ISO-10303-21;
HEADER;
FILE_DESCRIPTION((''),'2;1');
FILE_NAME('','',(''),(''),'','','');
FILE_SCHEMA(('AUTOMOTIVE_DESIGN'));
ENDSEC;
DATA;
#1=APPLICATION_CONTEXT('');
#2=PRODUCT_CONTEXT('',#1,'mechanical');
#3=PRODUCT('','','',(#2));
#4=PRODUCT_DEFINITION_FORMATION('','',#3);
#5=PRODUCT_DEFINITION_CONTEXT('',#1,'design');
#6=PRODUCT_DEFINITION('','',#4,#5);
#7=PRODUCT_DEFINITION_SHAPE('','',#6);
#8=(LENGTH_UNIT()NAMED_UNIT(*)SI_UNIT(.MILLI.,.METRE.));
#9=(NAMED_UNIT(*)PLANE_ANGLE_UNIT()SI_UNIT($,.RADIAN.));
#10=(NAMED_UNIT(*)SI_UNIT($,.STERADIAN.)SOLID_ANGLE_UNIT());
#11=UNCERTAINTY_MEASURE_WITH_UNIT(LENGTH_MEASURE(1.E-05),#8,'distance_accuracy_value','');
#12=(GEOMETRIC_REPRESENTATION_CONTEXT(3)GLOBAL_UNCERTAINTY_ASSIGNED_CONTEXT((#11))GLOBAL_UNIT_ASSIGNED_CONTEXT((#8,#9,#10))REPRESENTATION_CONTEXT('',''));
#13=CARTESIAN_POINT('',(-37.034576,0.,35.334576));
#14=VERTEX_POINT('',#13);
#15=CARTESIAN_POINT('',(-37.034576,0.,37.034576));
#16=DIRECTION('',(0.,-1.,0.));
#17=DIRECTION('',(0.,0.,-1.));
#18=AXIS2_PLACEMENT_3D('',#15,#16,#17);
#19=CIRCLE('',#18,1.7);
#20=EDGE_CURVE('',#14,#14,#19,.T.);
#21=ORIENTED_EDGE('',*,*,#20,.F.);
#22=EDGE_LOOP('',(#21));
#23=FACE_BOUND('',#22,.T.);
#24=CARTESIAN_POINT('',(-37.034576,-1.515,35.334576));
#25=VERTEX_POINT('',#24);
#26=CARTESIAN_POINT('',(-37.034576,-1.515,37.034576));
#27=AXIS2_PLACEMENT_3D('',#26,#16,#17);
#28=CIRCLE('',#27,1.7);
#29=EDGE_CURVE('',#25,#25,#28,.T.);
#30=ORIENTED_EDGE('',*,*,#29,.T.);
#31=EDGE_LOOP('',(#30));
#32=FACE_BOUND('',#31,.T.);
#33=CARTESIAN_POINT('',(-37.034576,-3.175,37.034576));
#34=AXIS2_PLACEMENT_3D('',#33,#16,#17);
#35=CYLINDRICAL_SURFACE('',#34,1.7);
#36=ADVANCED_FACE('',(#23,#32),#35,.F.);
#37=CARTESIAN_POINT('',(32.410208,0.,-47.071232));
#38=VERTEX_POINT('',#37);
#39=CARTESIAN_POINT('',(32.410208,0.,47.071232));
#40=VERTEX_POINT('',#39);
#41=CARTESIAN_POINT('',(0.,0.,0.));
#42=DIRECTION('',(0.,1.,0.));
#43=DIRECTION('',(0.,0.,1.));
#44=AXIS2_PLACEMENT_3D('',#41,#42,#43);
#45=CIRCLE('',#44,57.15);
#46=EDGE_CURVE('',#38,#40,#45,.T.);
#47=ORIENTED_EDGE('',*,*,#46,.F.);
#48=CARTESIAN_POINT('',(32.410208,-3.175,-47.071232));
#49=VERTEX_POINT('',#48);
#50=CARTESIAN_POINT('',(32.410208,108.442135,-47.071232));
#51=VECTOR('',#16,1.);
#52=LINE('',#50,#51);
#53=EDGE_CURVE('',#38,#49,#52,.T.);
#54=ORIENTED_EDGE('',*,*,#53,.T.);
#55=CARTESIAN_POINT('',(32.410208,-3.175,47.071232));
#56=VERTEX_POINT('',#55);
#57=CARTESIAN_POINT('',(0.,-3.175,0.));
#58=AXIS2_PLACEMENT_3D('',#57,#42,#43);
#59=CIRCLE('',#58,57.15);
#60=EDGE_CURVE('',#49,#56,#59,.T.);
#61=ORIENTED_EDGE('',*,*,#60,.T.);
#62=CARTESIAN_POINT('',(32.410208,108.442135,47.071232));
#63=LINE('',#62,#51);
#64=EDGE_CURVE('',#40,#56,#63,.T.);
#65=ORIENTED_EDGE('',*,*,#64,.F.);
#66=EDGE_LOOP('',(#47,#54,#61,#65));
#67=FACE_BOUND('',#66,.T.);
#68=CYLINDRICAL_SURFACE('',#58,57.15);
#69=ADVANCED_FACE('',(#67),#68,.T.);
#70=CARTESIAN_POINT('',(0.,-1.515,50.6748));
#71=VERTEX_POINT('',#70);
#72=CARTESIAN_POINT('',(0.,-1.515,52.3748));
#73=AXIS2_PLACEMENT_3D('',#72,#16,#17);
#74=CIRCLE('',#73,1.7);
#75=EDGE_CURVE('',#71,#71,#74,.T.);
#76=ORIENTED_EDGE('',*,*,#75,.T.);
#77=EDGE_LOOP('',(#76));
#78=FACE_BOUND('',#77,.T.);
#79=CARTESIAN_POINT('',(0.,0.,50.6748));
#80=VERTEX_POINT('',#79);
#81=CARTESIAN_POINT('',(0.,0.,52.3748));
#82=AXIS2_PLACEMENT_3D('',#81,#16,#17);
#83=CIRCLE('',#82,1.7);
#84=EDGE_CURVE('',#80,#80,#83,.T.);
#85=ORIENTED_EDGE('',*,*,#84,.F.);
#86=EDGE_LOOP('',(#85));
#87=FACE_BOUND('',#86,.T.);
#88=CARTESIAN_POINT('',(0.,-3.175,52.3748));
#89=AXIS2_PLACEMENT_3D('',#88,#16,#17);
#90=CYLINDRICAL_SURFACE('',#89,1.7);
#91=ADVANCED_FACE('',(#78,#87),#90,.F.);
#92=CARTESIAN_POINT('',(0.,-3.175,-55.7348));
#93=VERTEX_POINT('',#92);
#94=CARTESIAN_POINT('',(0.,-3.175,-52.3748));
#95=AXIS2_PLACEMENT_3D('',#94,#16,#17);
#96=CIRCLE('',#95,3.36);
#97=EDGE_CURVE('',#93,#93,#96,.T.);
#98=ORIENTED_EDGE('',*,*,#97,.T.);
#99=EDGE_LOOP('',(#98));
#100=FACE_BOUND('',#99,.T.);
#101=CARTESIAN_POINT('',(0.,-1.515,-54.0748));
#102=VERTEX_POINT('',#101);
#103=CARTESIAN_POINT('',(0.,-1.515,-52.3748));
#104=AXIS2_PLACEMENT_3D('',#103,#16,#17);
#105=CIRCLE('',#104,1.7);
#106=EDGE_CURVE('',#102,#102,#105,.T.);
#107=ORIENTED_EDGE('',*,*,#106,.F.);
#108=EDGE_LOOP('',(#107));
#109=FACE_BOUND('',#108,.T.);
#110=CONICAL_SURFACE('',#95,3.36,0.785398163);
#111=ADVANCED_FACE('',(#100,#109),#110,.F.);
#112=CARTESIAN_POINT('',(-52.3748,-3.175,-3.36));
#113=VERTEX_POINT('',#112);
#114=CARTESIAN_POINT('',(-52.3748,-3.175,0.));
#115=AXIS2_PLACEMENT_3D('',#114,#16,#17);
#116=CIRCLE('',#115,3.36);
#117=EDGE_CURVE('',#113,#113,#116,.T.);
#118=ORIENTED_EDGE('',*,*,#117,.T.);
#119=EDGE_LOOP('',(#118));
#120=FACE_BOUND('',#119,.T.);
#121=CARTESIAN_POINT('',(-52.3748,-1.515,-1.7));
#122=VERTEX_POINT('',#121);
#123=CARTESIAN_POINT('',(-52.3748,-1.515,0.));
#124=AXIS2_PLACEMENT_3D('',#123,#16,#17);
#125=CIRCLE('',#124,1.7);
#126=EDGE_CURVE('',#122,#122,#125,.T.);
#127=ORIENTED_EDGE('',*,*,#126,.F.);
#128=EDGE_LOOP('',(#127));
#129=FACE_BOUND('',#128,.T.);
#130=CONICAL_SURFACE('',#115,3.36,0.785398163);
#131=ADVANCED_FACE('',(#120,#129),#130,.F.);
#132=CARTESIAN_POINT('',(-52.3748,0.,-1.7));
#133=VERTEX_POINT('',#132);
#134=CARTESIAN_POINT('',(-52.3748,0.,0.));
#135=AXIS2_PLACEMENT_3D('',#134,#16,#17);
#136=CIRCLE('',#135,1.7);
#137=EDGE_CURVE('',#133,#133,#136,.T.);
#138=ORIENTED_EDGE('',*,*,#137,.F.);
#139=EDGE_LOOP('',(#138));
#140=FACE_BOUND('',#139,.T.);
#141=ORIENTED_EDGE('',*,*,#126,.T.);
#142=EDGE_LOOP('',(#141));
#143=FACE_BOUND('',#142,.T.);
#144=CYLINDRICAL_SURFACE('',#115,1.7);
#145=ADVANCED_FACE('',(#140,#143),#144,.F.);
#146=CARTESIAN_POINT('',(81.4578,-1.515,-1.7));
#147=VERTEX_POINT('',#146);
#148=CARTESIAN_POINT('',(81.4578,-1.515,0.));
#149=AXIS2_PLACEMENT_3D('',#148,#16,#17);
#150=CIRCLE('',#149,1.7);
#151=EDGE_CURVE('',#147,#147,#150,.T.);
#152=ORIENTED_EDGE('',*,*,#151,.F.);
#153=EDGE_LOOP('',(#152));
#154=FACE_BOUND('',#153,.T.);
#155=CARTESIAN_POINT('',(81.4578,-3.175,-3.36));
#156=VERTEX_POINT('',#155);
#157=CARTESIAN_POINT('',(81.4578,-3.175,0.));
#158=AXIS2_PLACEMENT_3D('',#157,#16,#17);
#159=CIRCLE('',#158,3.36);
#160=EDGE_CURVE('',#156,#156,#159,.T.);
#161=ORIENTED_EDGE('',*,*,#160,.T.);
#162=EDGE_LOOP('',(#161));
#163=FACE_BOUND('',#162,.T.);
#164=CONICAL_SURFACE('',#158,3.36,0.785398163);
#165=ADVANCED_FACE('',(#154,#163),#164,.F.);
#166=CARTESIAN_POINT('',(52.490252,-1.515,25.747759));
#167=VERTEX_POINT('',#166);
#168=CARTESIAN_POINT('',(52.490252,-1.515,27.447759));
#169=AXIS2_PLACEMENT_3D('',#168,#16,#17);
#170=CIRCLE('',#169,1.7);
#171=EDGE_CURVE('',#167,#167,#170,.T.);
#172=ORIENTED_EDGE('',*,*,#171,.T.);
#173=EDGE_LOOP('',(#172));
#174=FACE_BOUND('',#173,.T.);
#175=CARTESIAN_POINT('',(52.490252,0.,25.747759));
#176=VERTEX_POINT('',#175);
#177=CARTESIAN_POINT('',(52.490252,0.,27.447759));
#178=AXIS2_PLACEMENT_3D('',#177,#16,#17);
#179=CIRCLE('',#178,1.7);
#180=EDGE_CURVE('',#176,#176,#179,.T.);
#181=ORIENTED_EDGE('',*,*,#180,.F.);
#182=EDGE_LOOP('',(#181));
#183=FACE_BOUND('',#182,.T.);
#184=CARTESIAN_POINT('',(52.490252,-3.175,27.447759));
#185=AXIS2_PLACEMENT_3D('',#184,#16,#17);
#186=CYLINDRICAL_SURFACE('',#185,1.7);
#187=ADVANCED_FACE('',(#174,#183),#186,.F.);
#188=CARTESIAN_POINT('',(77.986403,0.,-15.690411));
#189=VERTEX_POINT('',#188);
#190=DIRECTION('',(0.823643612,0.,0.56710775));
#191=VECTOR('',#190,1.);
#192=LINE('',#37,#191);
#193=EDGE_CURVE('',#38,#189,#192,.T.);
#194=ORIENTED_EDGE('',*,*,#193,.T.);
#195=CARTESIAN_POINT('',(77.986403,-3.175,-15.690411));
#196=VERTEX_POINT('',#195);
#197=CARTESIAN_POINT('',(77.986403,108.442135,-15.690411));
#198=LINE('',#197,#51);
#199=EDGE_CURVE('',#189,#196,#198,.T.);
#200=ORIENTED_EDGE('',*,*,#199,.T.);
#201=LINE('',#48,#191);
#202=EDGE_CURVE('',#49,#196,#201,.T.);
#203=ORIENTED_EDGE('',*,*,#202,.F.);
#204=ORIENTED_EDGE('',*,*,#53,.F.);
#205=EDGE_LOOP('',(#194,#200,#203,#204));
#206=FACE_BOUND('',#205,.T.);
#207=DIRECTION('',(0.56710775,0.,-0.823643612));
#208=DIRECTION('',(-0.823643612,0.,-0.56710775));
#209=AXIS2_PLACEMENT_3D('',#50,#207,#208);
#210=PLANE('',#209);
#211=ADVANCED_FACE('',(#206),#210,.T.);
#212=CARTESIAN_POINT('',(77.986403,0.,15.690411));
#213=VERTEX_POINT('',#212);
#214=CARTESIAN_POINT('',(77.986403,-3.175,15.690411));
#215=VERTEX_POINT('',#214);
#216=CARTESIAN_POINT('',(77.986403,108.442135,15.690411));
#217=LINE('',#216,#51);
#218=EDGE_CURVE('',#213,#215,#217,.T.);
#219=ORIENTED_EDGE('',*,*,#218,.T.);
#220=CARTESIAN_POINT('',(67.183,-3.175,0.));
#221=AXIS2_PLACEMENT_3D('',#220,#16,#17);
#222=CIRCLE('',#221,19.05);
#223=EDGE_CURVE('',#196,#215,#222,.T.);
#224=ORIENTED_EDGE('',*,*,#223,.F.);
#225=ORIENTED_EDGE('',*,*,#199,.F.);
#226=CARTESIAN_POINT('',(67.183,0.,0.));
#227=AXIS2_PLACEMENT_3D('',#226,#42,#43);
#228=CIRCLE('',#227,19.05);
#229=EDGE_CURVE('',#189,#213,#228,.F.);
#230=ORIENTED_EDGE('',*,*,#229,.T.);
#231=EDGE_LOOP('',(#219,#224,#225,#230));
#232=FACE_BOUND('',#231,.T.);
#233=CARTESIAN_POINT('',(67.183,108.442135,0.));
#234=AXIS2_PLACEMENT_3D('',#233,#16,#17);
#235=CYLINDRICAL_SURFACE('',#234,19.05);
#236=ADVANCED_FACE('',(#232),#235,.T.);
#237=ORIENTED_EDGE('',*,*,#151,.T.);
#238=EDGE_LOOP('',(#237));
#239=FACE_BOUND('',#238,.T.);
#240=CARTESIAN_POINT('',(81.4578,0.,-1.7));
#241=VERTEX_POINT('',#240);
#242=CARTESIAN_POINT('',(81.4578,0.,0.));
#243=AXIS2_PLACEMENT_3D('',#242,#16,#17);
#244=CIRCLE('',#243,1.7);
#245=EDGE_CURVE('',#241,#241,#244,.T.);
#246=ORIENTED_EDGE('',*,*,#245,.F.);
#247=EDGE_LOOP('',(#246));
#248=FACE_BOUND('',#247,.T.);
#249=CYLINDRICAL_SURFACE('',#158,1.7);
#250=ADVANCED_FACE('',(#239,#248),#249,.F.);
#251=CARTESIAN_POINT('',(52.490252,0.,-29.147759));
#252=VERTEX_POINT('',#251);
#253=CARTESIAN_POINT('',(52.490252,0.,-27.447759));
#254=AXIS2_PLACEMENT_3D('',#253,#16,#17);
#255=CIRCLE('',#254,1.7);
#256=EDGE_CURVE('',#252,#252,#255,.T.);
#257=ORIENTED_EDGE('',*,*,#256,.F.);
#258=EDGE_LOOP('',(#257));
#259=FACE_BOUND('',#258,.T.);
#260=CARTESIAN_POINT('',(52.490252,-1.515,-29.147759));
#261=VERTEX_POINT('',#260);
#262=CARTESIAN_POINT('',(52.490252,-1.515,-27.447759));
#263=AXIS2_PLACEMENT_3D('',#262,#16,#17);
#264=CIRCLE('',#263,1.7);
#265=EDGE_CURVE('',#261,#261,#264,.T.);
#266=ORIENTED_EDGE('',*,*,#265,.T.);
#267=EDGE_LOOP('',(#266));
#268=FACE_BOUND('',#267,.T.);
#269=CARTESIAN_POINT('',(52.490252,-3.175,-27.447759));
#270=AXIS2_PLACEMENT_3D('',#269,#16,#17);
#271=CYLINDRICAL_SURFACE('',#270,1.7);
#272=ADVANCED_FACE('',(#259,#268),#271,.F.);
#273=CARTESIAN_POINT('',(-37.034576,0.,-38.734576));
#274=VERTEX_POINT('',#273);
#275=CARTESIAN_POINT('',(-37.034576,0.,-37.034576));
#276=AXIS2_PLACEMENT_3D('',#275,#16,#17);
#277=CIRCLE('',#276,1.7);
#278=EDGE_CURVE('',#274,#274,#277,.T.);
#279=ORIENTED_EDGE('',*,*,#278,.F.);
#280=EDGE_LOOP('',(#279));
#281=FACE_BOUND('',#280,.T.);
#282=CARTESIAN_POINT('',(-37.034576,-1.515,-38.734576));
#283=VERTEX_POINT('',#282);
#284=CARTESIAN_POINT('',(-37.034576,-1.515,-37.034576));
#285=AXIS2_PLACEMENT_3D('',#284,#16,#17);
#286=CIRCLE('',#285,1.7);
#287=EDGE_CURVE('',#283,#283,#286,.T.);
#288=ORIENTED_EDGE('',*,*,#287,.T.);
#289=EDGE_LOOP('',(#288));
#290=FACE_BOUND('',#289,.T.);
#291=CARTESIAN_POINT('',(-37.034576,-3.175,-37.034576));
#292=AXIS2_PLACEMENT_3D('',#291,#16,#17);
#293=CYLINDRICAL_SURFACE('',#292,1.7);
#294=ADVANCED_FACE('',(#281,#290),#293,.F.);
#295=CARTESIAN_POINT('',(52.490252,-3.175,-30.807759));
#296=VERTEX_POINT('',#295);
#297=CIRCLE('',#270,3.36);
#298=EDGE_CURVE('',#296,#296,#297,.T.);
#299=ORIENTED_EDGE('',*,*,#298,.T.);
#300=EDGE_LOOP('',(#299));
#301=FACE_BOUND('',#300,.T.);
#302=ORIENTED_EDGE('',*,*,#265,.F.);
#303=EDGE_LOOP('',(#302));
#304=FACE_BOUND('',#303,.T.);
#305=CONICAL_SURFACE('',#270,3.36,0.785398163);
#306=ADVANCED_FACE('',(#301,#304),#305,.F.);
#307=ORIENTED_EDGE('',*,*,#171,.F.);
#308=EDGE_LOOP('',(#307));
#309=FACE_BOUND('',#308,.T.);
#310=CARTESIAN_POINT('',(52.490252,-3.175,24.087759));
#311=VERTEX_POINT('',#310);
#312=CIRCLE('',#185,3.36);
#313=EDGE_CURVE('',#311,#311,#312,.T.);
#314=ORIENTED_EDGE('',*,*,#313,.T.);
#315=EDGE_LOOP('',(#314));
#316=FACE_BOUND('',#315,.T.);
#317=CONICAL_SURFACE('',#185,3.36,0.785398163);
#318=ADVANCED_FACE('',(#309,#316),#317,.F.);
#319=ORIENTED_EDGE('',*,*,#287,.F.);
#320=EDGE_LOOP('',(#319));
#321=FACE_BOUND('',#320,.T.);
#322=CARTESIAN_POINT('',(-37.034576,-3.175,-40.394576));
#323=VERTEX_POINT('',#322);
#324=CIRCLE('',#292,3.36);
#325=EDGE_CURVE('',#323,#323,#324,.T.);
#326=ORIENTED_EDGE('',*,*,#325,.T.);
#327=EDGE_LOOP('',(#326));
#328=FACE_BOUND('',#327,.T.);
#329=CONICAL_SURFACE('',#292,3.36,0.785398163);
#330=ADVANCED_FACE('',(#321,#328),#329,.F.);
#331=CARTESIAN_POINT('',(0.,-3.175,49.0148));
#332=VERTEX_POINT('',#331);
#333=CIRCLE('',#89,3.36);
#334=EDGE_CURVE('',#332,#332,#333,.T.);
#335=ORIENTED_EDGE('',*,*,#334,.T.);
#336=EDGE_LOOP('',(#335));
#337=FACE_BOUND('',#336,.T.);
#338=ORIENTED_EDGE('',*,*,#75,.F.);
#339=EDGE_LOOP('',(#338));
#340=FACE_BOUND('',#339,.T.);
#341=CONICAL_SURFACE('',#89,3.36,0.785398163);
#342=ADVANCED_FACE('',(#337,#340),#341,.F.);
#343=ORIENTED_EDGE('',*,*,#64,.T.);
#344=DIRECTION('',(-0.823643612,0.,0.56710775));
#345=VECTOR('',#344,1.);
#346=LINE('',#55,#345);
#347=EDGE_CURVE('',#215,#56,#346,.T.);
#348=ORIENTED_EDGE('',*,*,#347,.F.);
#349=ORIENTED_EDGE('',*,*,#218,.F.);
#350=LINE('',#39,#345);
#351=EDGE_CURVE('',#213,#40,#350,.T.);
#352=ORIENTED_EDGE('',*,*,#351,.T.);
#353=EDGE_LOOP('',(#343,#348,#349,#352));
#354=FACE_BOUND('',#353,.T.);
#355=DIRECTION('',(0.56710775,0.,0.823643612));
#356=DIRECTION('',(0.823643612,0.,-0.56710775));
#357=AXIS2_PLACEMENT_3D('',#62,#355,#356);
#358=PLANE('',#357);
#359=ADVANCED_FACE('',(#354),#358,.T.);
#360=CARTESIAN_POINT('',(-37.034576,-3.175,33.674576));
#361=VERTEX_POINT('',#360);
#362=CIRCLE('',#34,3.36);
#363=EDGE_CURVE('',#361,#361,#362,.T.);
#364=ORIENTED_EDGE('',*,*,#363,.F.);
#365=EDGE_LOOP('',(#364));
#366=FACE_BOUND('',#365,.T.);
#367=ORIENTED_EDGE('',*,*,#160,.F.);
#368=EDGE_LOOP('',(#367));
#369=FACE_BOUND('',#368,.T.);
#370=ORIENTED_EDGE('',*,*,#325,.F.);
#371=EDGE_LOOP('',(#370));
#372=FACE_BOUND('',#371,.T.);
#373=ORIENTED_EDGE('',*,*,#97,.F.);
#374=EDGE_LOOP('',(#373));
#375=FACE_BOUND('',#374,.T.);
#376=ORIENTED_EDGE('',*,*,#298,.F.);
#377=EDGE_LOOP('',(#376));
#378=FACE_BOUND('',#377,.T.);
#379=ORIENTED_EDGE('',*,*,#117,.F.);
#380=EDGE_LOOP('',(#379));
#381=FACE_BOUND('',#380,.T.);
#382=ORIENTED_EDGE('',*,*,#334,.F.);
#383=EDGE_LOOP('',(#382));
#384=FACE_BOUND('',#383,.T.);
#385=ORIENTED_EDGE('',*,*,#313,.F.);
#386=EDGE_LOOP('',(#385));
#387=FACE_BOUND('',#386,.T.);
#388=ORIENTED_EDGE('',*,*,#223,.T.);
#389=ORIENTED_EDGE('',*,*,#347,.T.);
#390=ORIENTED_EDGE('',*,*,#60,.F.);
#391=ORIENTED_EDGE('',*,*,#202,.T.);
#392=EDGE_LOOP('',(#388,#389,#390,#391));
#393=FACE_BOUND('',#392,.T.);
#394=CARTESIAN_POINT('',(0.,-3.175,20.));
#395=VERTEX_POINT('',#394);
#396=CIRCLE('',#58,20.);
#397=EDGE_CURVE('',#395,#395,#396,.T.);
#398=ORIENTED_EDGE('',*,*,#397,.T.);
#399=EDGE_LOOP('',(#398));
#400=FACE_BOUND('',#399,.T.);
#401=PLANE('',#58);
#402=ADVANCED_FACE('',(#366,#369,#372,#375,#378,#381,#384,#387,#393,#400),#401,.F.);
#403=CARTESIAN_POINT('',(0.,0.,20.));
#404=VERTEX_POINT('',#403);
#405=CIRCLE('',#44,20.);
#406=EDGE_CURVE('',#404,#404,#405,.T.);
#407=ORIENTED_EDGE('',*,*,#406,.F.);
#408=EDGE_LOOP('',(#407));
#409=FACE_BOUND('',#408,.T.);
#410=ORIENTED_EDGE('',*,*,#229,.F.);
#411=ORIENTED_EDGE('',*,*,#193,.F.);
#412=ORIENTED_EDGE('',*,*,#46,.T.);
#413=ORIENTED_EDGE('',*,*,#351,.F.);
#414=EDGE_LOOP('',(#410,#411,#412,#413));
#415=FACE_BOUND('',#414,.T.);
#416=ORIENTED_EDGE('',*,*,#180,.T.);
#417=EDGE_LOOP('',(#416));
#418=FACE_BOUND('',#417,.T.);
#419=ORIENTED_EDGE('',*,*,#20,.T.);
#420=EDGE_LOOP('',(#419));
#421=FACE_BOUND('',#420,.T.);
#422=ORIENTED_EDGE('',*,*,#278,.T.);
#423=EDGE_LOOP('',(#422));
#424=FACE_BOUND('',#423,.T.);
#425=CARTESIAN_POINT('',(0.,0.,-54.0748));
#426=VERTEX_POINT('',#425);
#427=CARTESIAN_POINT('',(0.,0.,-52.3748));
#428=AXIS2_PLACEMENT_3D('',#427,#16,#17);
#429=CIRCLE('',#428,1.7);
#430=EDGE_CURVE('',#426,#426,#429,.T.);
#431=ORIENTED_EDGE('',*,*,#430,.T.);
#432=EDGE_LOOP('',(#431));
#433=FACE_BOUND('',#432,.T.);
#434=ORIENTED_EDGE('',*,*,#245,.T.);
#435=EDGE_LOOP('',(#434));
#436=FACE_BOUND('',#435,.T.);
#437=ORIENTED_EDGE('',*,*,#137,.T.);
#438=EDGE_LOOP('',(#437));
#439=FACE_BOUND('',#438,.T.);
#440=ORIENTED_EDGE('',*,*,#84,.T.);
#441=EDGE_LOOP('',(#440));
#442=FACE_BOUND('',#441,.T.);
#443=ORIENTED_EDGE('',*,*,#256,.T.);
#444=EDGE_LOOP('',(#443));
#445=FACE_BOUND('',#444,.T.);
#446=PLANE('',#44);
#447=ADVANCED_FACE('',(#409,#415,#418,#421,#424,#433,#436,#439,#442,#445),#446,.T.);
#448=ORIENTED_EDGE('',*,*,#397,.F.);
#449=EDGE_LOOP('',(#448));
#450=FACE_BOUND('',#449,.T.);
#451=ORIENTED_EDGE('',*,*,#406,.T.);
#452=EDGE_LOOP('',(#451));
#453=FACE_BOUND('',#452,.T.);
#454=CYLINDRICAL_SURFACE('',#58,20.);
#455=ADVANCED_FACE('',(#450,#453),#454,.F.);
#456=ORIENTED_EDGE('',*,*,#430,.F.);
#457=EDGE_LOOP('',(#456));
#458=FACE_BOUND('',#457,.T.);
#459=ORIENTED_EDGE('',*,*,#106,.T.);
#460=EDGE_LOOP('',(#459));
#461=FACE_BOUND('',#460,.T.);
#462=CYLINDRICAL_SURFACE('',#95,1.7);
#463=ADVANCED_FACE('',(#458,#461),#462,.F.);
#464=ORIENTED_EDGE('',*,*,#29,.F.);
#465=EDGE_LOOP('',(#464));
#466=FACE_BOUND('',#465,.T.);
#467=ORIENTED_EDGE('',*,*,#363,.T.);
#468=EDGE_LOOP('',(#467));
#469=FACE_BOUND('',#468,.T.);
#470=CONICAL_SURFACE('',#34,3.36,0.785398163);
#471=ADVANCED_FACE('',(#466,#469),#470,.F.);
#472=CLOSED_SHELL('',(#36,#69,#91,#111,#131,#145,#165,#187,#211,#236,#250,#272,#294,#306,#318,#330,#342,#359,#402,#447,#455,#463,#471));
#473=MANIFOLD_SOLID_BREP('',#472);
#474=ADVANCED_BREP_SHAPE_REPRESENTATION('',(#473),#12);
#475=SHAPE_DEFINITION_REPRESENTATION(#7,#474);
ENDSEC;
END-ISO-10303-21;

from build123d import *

# Parameters (mm, degrees)
SKETCH1_R                    = 57.15
SKETCH1_R_2                  = 20
BOSS_EXTRUDE1_DEPTH          = 3.175
BOSS_EXTRUDE2_START          = -3.175
BOSS_EXTRUDE2_DEPTH          = 3.175
CSK_FOR_M3_SFHCS1_AT_2_COUNT = 2
CSK_FOR_M3_SFHCS1_AT_2_PITCH = 74.069152487
CSK_FOR_M3_SFHCS1_AT_3_COUNT = 2
CSK_FOR_M3_SFHCS1_AT_3_PITCH = 96.776011479
CSK_FOR_M3_SFHCS1_AT_4_COUNT = 2
CSK_FOR_M3_SFHCS1_AT_4_PITCH = 104.7496
CSK_FOR_M3_SFHCS1_AT_5_COUNT = 2
CSK_FOR_M3_SFHCS1_AT_5_PITCH = 95.534640107
CSK_FOR_M3_SFHCS1_AT_6_COUNT = 2
CSK_FOR_M3_SFHCS1_AT_6_PITCH = 96.842619006
CSK_FOR_M3_SFHCS1_AT_7_COUNT = 2
CSK_FOR_M3_SFHCS1_AT_7_PITCH = 58.10838136
CSK_FOR_M3_SFHCS1_AT_8_COUNT = 2
CSK_FOR_M3_SFHCS1_AT_8_PITCH = 40.085936467


with BuildPart() as part:
    # Sketch1 → Boss-Extrude1 (new body)
    with BuildSketch(Plane(origin=(0, 0, 0), x_dir=(1, 0, 0), z_dir=(0, 1, 0))):
        with Locations(Location((0, 0, 0), (0, 0, 270))):
            Circle(SKETCH1_R)
        with Locations(Location((0, 0, 0), (0, 0, 270))):
            Circle(SKETCH1_R_2, mode=Mode.SUBTRACT)
    extrude(amount=-BOSS_EXTRUDE1_DEPTH)

    # Sketch2 → Boss-Extrude2 (add)
    with BuildSketch(Plane(origin=(0, -3.175, 0), x_dir=(-1, 0, 0), z_dir=(0, -1, 0)).offset(BOSS_EXTRUDE2_START)):
        with BuildLine():
            Line((-32.41020794, 47.071232418), (-77.986402647, 15.690410806))
            ThreePointArc((-77.986402647, 15.690410806), (-86.233, 0), (-77.986402647, -15.690410806))
            Line((-77.986402647, -15.690410806), (-32.41020794, -47.071232418))
            ThreePointArc((-32.41020794, -47.071232418), (-57.15, 0), (-32.41020794, 47.071232418))
        make_face()
    extrude(amount=BOSS_EXTRUDE2_DEPTH)

    # Sketch7 → CSK for M3 SFHCS1 (revolve, cut)
    with BuildSketch(Plane(origin=(0, -3.175, 52.3748), x_dir=(0, 0, -1), z_dir=(1, 0, 0))):
        Polygon((0, 0), (0, 3.175), (1.7, 3.175), (1.7, 1.66), (3.36, 0), align=None)
    csk_for_m3_sfhcs1 = revolve(axis=Axis((0, -9.525, 52.3748), (0, 1, 0)), mode=Mode.SUBTRACT)

    # CSK for M3 SFHCS1 at 2: CSK for M3 SFHCS1 ×2
    with Locations(*[Vector(-0.7071067811865477, 0, -0.7071067811865475) * (i * CSK_FOR_M3_SFHCS1_AT_2_PITCH) for i in range(1, CSK_FOR_M3_SFHCS1_AT_2_COUNT)]):
        add(csk_for_m3_sfhcs1, mode=Mode.SUBTRACT)

    # CSK for M3 SFHCS1 at 3: CSK for M3 SFHCS1 ×2
    with Locations(*[Vector(-0.3826834323650908, 0, -0.9238795325112864) * (i * CSK_FOR_M3_SFHCS1_AT_3_PITCH) for i in range(1, CSK_FOR_M3_SFHCS1_AT_3_COUNT)]):
        add(csk_for_m3_sfhcs1, mode=Mode.SUBTRACT)

    # CSK for M3 SFHCS1 at 4: CSK for M3 SFHCS1 ×2
    with Locations(*[(0, 0, -i * CSK_FOR_M3_SFHCS1_AT_4_PITCH) for i in range(1, CSK_FOR_M3_SFHCS1_AT_4_COUNT)]):
        add(csk_for_m3_sfhcs1, mode=Mode.SUBTRACT)

    # CSK for M3 SFHCS1 at 5: CSK for M3 SFHCS1 ×2
    with Locations(*[Vector(0.5494368566637676, 0, -0.8355352419493978) * (i * CSK_FOR_M3_SFHCS1_AT_5_PITCH) for i in range(1, CSK_FOR_M3_SFHCS1_AT_5_COUNT)]):
        add(csk_for_m3_sfhcs1, mode=Mode.SUBTRACT)

    # CSK for M3 SFHCS1 at 6: CSK for M3 SFHCS1 ×2
    with Locations(*[Vector(0.84113586390326, 0, -0.5408238700868485) * (i * CSK_FOR_M3_SFHCS1_AT_6_PITCH) for i in range(1, CSK_FOR_M3_SFHCS1_AT_6_COUNT)]):
        add(csk_for_m3_sfhcs1, mode=Mode.SUBTRACT)

    # CSK for M3 SFHCS1 at 7: CSK for M3 SFHCS1 ×2
    with Locations(*[Vector(0.9033163742395407, 0, -0.42897497366481663) * (i * CSK_FOR_M3_SFHCS1_AT_7_PITCH) for i in range(1, CSK_FOR_M3_SFHCS1_AT_7_COUNT)]):
        add(csk_for_m3_sfhcs1, mode=Mode.SUBTRACT)

    # CSK for M3 SFHCS1 at 8: CSK for M3 SFHCS1 ×2
    with Locations(*[Vector(-0.9238795325112864, 0, -0.3826834323650906) * (i * CSK_FOR_M3_SFHCS1_AT_8_PITCH) for i in range(1, CSK_FOR_M3_SFHCS1_AT_8_COUNT)]):
        add(csk_for_m3_sfhcs1, mode=Mode.SUBTRACT)


solid = part.part
